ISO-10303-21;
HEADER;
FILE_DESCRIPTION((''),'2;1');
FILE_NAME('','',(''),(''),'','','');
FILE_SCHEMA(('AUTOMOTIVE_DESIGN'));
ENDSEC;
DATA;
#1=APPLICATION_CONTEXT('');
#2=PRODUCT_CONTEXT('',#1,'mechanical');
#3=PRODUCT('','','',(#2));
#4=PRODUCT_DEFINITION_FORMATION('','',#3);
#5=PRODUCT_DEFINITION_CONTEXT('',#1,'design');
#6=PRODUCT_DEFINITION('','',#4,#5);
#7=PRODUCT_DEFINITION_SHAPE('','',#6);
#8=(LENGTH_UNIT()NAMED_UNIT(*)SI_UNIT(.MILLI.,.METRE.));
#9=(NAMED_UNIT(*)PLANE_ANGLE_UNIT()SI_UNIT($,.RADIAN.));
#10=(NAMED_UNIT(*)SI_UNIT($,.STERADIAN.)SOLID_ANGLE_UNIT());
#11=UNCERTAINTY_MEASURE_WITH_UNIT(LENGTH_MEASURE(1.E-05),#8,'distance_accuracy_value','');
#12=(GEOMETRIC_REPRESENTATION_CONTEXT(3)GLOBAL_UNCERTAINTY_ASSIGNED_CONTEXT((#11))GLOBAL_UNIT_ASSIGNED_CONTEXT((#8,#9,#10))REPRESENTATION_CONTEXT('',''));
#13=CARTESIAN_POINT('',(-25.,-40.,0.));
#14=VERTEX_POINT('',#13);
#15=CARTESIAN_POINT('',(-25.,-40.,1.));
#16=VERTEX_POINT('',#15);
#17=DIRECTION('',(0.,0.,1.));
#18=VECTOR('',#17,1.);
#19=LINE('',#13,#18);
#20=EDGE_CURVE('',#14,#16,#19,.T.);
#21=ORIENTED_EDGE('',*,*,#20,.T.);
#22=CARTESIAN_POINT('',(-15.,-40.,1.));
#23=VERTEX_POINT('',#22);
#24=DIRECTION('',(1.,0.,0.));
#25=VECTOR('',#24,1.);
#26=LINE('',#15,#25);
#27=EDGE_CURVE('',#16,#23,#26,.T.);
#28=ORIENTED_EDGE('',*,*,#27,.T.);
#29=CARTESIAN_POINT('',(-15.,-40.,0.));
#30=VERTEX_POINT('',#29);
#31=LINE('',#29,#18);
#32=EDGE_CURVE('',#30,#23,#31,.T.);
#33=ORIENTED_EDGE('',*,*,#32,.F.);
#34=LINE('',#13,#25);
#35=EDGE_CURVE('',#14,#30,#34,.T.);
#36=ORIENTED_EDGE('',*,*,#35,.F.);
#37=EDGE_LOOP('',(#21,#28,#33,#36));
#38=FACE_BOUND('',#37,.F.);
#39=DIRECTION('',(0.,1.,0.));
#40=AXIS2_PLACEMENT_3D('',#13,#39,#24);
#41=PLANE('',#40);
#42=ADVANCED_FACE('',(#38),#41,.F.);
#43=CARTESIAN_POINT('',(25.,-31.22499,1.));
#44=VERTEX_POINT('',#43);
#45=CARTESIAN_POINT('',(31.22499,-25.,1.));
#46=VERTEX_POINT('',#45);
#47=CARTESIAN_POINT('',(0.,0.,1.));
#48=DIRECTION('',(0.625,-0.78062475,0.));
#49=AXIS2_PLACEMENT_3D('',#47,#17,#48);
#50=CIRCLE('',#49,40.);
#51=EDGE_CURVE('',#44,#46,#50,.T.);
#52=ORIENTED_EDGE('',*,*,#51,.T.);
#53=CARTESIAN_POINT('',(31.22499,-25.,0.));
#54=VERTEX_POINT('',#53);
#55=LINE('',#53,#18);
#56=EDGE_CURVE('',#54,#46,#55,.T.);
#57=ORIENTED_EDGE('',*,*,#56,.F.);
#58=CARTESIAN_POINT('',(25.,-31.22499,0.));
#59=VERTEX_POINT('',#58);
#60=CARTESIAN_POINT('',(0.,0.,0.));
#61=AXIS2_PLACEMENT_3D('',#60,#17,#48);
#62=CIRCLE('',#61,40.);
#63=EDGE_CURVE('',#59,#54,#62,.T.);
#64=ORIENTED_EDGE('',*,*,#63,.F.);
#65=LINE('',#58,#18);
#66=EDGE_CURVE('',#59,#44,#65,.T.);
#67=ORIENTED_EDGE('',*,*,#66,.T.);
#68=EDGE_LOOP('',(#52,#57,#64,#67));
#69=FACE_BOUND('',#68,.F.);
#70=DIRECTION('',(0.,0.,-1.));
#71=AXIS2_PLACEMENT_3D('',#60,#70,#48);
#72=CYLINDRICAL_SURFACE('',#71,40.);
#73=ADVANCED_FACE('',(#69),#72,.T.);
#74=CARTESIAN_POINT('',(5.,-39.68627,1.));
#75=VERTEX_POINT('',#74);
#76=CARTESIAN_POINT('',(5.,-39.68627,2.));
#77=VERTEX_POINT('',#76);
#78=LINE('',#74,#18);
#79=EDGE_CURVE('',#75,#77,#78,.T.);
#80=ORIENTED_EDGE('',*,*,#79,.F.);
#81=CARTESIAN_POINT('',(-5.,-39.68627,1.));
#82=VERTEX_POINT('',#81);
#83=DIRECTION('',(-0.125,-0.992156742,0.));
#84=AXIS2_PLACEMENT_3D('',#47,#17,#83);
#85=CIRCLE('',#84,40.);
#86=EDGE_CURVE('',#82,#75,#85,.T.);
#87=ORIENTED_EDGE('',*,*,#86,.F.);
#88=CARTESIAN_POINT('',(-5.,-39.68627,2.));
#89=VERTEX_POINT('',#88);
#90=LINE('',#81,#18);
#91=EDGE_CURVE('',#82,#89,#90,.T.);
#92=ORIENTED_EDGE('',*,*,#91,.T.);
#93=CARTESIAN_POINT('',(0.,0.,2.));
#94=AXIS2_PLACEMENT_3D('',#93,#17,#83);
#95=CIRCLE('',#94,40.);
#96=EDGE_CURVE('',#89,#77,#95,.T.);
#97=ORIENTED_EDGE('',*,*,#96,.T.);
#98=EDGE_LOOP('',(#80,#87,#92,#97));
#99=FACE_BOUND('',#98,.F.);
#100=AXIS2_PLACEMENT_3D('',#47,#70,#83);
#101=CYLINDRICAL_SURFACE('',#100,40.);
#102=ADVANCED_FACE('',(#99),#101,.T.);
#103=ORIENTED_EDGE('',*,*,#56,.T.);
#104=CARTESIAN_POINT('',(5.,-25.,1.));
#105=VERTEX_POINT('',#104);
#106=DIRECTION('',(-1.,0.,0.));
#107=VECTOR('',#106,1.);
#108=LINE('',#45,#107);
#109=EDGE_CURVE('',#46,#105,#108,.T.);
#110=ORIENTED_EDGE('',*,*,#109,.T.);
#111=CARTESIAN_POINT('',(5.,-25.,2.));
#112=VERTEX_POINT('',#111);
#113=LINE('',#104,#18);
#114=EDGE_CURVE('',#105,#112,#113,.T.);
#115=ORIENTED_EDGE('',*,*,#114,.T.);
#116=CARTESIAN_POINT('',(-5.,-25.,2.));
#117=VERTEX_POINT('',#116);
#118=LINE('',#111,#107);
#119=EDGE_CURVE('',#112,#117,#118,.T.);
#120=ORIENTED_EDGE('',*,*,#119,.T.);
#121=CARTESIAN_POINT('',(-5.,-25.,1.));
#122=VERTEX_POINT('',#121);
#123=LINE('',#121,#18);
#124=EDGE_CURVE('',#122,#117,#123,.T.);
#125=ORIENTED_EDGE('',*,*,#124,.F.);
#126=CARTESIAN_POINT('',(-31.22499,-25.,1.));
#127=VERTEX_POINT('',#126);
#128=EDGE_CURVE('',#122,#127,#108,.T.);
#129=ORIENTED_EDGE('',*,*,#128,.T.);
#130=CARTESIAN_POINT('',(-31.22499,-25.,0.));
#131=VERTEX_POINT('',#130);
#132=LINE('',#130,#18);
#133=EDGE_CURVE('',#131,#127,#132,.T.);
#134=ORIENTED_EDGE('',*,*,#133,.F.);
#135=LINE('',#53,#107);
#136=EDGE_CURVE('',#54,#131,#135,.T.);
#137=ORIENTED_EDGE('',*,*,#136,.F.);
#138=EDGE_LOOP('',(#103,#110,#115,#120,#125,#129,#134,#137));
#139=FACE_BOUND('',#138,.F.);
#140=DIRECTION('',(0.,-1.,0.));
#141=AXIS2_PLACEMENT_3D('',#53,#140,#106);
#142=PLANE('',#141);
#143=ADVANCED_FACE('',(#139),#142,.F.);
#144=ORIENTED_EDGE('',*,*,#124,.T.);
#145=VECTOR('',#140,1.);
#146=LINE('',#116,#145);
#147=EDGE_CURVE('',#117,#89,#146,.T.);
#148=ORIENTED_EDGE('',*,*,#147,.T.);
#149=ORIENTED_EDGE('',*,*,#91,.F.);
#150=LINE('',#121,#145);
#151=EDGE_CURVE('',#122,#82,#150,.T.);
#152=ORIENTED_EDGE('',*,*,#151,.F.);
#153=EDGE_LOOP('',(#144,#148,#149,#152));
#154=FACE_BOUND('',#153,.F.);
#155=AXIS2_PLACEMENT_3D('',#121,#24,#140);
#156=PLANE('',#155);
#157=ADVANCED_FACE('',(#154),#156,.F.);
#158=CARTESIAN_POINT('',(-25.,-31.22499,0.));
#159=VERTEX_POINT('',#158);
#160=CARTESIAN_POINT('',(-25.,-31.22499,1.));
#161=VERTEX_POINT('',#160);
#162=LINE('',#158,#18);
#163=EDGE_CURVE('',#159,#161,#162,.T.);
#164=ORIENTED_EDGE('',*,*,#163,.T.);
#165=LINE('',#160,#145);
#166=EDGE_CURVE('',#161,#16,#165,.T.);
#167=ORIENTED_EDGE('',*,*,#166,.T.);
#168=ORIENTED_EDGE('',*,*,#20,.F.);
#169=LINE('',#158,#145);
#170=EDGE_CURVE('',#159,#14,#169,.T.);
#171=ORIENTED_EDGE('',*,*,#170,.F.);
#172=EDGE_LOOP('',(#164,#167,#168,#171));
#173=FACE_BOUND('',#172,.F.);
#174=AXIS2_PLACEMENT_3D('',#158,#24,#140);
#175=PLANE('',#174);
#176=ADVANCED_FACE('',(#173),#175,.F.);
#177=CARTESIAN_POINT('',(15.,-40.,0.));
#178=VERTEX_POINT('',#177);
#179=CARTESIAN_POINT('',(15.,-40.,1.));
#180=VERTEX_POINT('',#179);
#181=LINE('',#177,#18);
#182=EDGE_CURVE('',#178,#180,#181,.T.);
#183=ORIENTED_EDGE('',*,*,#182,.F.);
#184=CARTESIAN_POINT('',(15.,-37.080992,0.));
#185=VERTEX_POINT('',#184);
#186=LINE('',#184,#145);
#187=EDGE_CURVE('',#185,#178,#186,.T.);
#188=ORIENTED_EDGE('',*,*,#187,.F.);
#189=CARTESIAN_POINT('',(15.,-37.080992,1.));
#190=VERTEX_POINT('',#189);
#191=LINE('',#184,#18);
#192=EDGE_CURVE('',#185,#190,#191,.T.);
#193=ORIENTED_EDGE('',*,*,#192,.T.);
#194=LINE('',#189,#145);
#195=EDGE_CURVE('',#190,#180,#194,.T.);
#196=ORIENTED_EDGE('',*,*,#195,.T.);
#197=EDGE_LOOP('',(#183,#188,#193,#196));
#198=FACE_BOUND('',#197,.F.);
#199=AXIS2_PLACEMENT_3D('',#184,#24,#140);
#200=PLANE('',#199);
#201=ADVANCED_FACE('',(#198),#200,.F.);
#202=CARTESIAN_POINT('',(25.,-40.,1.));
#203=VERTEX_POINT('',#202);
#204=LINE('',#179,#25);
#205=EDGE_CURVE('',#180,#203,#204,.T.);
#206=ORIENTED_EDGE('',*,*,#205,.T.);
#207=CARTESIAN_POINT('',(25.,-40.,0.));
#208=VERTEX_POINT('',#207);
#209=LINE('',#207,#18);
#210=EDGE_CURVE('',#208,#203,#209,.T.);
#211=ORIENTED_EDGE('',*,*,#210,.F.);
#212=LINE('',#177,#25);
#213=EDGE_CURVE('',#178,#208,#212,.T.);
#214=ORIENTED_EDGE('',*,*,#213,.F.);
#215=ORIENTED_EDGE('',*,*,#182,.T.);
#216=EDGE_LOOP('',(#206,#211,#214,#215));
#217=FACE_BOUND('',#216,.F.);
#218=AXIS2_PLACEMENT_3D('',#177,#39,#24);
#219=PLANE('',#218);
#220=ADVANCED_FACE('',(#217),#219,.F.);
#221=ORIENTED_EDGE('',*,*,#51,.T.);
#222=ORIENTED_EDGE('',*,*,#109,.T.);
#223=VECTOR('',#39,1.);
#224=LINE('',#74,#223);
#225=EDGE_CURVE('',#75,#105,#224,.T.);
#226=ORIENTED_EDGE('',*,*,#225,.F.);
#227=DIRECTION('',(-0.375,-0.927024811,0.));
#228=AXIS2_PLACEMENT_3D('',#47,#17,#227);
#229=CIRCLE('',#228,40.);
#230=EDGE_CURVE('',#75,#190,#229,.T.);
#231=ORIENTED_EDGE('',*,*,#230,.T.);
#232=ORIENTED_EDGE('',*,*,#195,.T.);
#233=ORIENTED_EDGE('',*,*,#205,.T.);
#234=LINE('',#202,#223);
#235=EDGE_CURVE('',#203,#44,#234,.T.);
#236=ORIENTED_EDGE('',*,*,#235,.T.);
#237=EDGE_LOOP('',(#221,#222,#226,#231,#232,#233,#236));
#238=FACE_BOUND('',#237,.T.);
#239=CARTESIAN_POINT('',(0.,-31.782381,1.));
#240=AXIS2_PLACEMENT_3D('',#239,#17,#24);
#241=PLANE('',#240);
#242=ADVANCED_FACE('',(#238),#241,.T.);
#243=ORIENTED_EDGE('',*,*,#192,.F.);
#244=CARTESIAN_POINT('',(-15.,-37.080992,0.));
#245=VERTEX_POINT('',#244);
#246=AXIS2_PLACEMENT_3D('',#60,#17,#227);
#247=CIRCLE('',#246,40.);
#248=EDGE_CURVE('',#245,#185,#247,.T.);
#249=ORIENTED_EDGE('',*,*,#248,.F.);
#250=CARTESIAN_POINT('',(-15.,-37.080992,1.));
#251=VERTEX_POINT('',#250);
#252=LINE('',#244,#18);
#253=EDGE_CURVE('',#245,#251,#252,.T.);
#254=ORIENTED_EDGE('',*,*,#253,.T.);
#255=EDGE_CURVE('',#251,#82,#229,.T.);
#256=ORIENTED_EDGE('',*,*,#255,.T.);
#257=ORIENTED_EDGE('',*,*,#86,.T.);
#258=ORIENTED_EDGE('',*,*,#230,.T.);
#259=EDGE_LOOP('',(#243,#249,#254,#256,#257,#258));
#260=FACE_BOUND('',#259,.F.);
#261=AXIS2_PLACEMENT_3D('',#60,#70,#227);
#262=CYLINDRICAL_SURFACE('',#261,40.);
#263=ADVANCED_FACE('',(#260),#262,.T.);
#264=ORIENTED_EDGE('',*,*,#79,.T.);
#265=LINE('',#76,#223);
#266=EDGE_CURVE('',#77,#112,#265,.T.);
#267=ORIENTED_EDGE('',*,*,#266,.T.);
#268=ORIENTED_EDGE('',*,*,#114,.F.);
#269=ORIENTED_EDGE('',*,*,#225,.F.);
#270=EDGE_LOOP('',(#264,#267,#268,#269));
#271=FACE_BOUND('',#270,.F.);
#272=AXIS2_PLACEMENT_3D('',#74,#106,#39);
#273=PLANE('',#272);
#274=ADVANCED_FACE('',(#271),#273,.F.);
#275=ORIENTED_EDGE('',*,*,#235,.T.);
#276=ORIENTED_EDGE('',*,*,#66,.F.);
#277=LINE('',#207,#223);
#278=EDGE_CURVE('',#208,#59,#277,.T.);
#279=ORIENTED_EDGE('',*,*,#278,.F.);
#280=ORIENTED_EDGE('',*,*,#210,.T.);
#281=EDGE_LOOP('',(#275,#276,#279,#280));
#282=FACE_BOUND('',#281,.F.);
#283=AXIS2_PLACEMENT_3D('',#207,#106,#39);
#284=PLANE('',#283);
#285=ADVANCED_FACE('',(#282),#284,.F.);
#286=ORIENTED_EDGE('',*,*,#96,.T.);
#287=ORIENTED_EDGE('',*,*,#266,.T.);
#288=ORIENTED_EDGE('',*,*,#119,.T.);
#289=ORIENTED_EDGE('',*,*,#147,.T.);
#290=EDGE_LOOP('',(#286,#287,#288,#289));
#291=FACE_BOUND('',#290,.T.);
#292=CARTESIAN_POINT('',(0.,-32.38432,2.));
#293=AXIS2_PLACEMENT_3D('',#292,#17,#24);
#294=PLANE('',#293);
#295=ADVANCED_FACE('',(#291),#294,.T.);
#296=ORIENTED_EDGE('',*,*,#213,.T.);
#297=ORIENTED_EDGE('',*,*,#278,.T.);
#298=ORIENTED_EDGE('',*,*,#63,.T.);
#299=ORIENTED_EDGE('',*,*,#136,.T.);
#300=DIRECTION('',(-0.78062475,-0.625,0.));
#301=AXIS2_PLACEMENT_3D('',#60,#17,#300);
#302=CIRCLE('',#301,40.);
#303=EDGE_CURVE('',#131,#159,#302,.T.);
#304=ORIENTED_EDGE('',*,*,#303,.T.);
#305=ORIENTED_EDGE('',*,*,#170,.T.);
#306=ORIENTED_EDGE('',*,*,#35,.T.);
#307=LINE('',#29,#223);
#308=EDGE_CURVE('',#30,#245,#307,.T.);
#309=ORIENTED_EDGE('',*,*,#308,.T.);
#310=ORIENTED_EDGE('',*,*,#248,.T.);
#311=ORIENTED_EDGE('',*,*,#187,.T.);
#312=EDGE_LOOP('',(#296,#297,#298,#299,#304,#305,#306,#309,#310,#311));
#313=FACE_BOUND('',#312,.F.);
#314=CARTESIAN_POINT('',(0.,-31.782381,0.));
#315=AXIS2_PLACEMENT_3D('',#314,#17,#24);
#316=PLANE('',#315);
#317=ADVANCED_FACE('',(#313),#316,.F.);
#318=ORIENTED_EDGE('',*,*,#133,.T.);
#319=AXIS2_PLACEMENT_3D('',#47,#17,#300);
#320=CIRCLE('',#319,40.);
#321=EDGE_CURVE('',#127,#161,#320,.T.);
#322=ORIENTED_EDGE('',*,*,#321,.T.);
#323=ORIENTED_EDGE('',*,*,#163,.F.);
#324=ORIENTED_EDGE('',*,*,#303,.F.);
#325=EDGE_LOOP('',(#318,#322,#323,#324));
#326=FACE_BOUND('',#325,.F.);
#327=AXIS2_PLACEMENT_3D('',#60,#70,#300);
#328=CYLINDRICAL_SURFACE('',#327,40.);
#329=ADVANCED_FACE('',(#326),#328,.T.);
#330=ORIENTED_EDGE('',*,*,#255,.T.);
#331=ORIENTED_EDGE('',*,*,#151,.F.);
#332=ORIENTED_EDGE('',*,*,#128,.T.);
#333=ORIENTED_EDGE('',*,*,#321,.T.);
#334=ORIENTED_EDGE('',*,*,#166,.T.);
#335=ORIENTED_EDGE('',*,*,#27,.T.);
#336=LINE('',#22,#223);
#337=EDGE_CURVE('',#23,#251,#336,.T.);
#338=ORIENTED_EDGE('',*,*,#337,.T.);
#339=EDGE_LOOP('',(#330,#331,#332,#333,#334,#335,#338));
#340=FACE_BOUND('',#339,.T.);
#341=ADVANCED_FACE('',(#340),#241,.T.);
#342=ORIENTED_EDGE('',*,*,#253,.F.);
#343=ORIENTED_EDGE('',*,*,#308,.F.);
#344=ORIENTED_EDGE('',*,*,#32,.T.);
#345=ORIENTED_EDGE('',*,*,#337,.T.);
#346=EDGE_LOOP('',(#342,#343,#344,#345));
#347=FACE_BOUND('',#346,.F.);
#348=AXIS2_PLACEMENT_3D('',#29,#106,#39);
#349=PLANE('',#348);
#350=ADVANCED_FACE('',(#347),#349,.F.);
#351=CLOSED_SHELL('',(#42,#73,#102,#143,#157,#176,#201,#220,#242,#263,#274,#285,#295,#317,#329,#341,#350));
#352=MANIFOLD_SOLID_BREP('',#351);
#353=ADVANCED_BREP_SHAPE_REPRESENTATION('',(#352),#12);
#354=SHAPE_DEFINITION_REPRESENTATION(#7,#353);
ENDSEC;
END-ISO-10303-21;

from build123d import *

# Parameters (mm, degrees)
F1_DEPTH = 1
F3_DEPTH = 1


with BuildPart() as f1:
    # F0 (on Top) → F1 (new body)
    with BuildSketch(Plane.XY):
        with BuildLine():
            Line((31.224989992, -25), (-31.224989992, -25))
            ThreePointArc((-31.224989992, -25), (-28.2842712475, -28.2842712475), (-25, -31.224989992))
            Line((-25, -31.224989992), (-25, -40))
            Line((-25, -40), (-15, -40))
            Line((-15, -40), (-15, -37.0809924355))
            ThreePointArc((-15, -37.0809924355), (0, -40), (15, -37.0809924355))
            Line((15, -37.0809924355), (15, -40))
            Line((15, -40), (25, -40))
            Line((25, -40), (25, -31.224989992))
            ThreePointArc((25, -31.224989992), (28.2842712475, -28.2842712475), (31.224989992, -25))
        make_face()
    extrude(amount=F1_DEPTH)

    # F2 (on face) → F3 (join)
    with BuildSketch(Plane.XY.offset(1)):
        with BuildLine():
            Line((5, -25), (-5, -25))
            Line((-5, -25), (-5, -39.686269666))
            ThreePointArc((-5, -39.686269666), (0, -40), (5, -39.686269666))
            Line((5, -39.686269666), (5, -25))
        make_face()
    extrude(amount=F3_DEPTH)


solid = f1.part
